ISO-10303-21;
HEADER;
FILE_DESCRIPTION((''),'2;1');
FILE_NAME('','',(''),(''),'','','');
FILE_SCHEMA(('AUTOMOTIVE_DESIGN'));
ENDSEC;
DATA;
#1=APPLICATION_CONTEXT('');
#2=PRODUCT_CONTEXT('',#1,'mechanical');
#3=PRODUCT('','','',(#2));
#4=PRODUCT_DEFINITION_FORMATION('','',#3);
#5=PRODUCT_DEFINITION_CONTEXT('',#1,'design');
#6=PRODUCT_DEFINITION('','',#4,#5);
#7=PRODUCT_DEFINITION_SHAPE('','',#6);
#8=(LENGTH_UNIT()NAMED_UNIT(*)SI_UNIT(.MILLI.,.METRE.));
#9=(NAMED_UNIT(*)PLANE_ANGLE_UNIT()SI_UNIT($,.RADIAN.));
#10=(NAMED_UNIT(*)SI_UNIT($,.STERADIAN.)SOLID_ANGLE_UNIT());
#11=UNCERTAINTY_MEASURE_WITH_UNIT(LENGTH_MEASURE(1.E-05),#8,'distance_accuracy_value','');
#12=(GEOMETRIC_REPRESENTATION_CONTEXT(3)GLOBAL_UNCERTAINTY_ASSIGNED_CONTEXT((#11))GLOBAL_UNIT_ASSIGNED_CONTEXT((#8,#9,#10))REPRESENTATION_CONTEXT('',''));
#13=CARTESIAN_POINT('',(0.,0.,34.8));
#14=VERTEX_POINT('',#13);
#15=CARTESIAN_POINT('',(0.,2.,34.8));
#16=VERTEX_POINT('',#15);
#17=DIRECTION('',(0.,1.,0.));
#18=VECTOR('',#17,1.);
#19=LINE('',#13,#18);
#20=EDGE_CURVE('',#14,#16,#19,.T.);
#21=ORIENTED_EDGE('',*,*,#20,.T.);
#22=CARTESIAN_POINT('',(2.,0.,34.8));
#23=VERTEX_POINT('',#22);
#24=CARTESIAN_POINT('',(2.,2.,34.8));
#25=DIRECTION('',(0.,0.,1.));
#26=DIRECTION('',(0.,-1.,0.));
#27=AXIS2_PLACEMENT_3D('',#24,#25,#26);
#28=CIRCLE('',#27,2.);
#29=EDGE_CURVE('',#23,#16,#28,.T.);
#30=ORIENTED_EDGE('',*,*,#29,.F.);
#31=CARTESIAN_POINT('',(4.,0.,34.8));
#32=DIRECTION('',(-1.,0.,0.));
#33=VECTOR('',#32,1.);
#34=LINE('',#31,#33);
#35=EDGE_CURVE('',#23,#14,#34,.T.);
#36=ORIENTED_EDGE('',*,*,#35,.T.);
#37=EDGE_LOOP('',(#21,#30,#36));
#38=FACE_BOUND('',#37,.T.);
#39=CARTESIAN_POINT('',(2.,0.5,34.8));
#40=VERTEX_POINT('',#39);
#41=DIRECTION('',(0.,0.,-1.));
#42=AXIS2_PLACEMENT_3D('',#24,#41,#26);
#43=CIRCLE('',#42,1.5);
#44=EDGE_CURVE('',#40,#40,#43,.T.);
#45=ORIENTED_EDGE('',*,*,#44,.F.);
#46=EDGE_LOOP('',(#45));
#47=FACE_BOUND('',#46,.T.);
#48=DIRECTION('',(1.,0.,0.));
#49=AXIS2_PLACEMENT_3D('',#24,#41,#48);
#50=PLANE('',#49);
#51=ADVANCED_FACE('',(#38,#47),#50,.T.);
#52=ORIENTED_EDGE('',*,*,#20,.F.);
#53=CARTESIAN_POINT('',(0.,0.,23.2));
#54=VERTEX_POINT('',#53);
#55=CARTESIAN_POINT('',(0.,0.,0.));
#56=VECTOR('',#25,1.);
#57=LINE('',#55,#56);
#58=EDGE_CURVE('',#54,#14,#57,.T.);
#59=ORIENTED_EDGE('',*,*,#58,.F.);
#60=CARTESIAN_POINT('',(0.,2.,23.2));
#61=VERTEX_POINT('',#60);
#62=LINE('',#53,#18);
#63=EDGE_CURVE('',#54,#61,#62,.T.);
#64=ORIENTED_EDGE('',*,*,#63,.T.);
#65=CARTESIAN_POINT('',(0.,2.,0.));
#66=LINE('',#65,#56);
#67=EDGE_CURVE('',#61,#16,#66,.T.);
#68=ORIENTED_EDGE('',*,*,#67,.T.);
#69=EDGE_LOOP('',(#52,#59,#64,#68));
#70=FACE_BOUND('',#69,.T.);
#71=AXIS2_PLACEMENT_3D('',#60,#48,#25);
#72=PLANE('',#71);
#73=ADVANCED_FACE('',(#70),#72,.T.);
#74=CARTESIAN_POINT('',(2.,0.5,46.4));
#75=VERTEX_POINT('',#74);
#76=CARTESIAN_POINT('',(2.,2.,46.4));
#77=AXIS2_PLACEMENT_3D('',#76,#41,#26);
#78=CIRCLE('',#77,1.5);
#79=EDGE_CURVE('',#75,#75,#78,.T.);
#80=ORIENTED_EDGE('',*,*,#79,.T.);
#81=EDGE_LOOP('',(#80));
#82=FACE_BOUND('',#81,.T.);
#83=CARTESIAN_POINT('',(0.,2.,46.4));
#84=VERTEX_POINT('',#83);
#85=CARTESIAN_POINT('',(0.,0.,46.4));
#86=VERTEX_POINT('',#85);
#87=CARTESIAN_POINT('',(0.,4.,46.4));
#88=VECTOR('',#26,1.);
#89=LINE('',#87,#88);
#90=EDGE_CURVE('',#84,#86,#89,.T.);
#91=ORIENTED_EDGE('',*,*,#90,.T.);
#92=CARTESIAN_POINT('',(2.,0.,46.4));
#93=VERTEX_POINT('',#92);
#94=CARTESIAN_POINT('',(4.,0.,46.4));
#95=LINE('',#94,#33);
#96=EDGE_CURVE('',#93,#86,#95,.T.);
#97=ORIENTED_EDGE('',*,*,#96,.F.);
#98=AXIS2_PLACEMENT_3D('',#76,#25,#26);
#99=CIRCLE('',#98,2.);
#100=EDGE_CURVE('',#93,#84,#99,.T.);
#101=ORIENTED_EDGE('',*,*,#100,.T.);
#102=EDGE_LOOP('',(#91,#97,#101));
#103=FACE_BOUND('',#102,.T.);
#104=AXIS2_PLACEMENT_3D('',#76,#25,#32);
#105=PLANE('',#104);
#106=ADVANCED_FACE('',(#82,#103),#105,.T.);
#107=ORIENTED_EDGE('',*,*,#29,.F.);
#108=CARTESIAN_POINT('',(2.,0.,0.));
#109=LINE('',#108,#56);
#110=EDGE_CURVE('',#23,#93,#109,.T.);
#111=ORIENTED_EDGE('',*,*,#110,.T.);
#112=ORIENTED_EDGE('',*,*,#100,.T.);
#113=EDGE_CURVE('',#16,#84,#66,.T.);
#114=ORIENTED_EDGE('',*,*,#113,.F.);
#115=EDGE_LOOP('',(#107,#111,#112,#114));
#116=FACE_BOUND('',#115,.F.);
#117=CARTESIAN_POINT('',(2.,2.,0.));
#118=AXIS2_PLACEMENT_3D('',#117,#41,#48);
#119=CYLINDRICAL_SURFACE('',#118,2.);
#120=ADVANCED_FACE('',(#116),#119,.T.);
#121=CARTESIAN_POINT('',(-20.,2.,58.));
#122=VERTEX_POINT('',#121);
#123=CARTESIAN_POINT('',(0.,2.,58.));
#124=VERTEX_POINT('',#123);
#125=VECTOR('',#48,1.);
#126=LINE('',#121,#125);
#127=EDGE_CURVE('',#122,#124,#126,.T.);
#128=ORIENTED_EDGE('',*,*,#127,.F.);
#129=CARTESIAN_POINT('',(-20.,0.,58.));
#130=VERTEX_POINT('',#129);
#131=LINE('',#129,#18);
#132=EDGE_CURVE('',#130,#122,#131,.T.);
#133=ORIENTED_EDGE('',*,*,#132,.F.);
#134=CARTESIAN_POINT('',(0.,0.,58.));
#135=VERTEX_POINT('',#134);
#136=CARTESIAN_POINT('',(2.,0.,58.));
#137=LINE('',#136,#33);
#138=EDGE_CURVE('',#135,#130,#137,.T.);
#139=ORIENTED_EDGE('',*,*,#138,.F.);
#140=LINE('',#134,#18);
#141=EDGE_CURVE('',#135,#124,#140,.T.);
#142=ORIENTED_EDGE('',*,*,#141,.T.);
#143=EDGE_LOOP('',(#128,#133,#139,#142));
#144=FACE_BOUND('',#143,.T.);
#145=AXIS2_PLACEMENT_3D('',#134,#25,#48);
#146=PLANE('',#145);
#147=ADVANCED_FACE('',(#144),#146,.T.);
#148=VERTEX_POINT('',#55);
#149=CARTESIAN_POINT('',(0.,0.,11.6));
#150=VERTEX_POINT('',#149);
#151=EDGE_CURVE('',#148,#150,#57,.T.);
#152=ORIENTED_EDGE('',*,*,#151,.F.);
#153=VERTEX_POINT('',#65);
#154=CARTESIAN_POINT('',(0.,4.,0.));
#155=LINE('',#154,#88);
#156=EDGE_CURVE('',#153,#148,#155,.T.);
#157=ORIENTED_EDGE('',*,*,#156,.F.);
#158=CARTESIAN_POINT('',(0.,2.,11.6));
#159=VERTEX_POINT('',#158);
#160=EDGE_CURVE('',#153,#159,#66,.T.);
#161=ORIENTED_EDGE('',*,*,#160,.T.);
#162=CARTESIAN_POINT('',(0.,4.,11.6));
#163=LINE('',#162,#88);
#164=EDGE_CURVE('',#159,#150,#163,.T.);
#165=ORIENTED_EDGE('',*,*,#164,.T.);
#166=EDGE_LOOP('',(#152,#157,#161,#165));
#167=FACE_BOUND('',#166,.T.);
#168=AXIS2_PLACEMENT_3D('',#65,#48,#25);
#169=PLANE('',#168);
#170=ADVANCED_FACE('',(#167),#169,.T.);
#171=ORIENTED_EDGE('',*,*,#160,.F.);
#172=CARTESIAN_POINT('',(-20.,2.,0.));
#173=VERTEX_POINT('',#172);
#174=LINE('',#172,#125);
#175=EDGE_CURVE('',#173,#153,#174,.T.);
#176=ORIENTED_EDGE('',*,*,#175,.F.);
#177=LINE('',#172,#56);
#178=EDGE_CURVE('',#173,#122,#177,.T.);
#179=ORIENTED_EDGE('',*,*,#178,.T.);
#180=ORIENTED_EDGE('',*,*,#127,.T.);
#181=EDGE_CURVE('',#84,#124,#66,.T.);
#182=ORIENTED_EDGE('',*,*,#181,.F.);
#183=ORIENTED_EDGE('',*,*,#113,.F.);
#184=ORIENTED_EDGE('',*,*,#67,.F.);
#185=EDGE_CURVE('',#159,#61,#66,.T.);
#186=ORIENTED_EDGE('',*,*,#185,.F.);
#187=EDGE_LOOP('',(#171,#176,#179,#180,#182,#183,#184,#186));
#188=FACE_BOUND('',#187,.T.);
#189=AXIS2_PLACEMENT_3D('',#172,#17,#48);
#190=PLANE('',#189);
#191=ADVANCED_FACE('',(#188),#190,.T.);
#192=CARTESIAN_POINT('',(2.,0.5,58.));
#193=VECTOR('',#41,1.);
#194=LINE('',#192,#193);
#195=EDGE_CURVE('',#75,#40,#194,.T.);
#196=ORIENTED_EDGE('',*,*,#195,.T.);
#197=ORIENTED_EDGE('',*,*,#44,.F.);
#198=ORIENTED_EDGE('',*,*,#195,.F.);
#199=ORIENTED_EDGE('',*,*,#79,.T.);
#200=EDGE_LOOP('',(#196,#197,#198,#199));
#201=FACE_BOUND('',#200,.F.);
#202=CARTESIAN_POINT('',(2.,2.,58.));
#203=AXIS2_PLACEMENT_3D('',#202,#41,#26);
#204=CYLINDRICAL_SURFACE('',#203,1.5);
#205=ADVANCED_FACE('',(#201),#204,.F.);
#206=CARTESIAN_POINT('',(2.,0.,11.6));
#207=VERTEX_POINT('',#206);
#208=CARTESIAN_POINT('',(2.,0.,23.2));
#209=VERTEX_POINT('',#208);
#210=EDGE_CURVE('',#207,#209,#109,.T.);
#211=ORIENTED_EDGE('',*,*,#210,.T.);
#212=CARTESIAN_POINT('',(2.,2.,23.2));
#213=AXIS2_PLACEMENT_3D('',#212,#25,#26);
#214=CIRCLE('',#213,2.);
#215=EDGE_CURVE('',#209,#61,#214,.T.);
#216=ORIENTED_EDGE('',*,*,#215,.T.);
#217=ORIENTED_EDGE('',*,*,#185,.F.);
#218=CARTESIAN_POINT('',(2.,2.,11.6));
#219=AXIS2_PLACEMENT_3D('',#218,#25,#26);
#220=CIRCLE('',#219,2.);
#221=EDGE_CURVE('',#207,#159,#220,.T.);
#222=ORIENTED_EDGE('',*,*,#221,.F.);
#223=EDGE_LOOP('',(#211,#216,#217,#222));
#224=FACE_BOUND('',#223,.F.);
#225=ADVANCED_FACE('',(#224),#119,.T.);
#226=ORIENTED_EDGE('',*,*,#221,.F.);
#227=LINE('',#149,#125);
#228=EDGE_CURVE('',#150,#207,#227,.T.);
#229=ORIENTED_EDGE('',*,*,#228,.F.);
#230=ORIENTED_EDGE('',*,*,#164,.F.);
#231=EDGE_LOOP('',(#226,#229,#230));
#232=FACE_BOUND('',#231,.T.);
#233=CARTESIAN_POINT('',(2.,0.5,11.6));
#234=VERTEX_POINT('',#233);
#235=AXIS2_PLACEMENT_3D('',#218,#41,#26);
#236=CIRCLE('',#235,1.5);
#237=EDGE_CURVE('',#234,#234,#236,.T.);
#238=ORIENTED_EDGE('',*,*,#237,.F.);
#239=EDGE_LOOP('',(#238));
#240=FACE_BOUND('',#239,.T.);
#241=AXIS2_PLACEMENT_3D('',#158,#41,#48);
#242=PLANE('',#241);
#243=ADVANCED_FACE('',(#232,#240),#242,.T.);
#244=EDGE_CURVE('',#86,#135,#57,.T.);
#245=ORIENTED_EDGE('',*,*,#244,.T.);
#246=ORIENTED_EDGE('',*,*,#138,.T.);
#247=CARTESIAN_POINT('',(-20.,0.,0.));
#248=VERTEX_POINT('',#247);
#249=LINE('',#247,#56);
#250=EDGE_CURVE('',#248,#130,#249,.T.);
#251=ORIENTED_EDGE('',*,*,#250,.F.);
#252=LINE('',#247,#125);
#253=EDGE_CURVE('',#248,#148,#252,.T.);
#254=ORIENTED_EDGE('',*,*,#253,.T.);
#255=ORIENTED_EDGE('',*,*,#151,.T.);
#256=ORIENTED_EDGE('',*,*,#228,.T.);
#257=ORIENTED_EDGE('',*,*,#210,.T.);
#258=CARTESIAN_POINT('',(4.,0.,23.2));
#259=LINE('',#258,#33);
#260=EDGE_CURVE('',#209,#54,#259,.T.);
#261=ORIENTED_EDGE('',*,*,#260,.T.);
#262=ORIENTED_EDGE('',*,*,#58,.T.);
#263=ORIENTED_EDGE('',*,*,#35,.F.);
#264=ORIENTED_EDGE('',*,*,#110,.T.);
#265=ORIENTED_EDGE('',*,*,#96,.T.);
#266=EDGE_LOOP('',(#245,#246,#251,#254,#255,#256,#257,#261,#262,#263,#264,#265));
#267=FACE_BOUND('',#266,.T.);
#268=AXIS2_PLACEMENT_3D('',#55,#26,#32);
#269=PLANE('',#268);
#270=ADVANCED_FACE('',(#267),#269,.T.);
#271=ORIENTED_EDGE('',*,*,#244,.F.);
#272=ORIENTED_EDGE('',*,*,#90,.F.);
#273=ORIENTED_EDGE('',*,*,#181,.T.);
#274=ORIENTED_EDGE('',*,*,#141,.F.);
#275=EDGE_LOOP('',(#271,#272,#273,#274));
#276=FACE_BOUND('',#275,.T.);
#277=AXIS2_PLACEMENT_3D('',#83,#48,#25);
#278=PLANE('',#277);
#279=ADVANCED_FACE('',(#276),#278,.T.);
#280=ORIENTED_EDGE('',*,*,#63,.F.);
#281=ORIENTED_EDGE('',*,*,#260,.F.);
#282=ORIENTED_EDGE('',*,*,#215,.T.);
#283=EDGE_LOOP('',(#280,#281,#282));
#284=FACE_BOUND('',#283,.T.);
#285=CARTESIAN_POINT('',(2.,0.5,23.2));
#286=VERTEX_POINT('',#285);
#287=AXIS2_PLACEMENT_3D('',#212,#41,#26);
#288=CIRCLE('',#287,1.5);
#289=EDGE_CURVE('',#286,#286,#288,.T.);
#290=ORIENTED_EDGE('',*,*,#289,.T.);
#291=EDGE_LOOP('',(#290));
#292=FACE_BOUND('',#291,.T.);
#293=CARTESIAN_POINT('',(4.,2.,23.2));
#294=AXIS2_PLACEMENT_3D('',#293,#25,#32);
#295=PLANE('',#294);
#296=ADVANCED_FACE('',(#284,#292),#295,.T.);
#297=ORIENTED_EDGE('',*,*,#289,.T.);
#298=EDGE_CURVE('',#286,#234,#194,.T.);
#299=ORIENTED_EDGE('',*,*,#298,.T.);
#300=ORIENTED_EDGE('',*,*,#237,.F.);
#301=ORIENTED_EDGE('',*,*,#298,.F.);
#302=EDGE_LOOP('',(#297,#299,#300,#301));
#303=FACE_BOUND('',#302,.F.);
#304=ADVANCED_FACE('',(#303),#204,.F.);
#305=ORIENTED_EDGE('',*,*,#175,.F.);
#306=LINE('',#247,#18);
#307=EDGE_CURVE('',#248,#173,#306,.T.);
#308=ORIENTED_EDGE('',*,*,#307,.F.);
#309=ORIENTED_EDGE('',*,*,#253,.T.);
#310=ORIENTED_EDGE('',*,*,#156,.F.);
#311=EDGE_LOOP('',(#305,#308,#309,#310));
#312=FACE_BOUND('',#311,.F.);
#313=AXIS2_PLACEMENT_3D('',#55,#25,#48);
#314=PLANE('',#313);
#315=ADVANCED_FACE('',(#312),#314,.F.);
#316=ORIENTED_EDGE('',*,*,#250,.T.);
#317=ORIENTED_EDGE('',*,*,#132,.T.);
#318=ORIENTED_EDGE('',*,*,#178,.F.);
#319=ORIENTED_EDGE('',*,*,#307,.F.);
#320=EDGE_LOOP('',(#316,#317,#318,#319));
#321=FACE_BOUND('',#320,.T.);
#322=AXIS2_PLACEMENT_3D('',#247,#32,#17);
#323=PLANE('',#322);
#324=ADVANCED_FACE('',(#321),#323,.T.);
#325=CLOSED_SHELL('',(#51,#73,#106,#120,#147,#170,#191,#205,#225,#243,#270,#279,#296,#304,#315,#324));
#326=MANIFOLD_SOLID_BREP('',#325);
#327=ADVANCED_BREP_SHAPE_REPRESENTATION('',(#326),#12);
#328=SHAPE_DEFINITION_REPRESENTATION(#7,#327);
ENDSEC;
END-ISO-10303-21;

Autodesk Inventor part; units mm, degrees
ref_plane "YZ Plane" through (0, 0, 0) normal (1, 0, 0) x (0, 1, 0)
ref_plane "XZ Plane" through (0, 0, 0) normal (0, 1, 0) x (-1, 0, 0)
ref_plane "XY Plane" through (0, 0, 0) normal (0, 0, 1) x (1, 0, 0)
sketch "Sketch1" plane through (0, 0, 0) normal (0, 0, 1) x (1, 0, 0)
  line L0 (0, 0) -> (-20, 0)
  line L1 (-20, 0) -> (-20, 2)
  line L2 (-20, 2) -> (0, 2)
  line L3 (0, 2) -> (0, 0)
  line L4 (0, 2) -> (2, 2)
  circle A0 centre (2, 2) radius 2
  line L5 (2, 0) -> (0, 0)
  dimension "d0" = 20
  dimension "d1" = 2
  dimension "d2" = 2
extrude "Extrusion1" add sketch "Sketch1" along normal blind 58
sketch "Sketch2" plane through (-20, 2, 0) normal (0, 1, 0) x (1, 0, 0)
  line L0 (22, 0) -> (20, 0) projected
  line L1 (20, 0) -> (20, -58) projected
  line L2 (22, -58) -> (20, -58) projected
  line L3 (22, 0) -> (22, -58) projected
  line L4 (20, 0) -> (0, 0) projected
  line L5 (0, 0) -> (0, -58) projected
  line L6 (20, -58) -> (0, -58) projected
  line L7 (20, 0) -> (20, -58) projected
  line L8 (20, 0) -> (24, 0) projected
  line L9 (24, 0) -> (20, 0)
  line L10 (20, 0) -> (20, -11.6)
  line L11 (20, -11.6) -> (24, -11.6)
  line L12 (24, -11.6) -> (24, 0)
  line L13 (20, -11.6) -> (24, -11.6)
  line L14 (24, -11.6) -> (24, -23.2)
  line L15 (24, -23.2) -> (20, -23.2)
  line L16 (20, -23.2) -> (20, -11.6)
  line L17 (24, -23.2) -> (20, -23.2)
  line L18 (20, -23.2) -> (20, -34.8)
  line L19 (20, -34.8) -> (24, -34.8)
  line L20 (24, -34.8) -> (24, -23.2)
  line L21 (24, 0) -> (24, -58) projected
  line L22 (20, -34.8) -> (24, -34.8)
  line L23 (24, -34.8) -> (24, -46.4)
  line L24 (24, -46.4) -> (20, -46.4)
  line L25 (20, -46.4) -> (20, -34.8)
  line L26 (24, -46.4) -> (20, -46.4)
  line L27 (20, -46.4) -> (20, -58)
  line L28 (20, -58) -> (24, -58)
  line L29 (24, -58) -> (24, -46.4)
  dimension "d5" = 11.6
  dimension "d6" = 11.6
  dimension "d7" = 11.6
  dimension "d8" = 11.6
extrude "Extrusion2" cut sketch "Sketch2" along normal mid plane 4 contours L3 L11 L1 L0 | L8 L12 L11 L3 | L15 L20 L19 L3 | L3 L19 L1 L15 | L1 L24 L3 L2 | L24 L21 L28 L3
sketch "Sketch3" plane through (0, 0, 58) normal (0, 0, 1) x (1, 0, 0)
  arc A0 (2, 0) -> (0, 2) centre (2, 2) ccw projected
  line L0 (0, 2) -> (0, 0) projected
  line L1 (2, 0) -> (0, 0) projected
hole "Hole1" at (2, 2, 58) direction (0, 0, -1) diameter 3 end through all
properties part number "SchanierTeilB_CPY"
